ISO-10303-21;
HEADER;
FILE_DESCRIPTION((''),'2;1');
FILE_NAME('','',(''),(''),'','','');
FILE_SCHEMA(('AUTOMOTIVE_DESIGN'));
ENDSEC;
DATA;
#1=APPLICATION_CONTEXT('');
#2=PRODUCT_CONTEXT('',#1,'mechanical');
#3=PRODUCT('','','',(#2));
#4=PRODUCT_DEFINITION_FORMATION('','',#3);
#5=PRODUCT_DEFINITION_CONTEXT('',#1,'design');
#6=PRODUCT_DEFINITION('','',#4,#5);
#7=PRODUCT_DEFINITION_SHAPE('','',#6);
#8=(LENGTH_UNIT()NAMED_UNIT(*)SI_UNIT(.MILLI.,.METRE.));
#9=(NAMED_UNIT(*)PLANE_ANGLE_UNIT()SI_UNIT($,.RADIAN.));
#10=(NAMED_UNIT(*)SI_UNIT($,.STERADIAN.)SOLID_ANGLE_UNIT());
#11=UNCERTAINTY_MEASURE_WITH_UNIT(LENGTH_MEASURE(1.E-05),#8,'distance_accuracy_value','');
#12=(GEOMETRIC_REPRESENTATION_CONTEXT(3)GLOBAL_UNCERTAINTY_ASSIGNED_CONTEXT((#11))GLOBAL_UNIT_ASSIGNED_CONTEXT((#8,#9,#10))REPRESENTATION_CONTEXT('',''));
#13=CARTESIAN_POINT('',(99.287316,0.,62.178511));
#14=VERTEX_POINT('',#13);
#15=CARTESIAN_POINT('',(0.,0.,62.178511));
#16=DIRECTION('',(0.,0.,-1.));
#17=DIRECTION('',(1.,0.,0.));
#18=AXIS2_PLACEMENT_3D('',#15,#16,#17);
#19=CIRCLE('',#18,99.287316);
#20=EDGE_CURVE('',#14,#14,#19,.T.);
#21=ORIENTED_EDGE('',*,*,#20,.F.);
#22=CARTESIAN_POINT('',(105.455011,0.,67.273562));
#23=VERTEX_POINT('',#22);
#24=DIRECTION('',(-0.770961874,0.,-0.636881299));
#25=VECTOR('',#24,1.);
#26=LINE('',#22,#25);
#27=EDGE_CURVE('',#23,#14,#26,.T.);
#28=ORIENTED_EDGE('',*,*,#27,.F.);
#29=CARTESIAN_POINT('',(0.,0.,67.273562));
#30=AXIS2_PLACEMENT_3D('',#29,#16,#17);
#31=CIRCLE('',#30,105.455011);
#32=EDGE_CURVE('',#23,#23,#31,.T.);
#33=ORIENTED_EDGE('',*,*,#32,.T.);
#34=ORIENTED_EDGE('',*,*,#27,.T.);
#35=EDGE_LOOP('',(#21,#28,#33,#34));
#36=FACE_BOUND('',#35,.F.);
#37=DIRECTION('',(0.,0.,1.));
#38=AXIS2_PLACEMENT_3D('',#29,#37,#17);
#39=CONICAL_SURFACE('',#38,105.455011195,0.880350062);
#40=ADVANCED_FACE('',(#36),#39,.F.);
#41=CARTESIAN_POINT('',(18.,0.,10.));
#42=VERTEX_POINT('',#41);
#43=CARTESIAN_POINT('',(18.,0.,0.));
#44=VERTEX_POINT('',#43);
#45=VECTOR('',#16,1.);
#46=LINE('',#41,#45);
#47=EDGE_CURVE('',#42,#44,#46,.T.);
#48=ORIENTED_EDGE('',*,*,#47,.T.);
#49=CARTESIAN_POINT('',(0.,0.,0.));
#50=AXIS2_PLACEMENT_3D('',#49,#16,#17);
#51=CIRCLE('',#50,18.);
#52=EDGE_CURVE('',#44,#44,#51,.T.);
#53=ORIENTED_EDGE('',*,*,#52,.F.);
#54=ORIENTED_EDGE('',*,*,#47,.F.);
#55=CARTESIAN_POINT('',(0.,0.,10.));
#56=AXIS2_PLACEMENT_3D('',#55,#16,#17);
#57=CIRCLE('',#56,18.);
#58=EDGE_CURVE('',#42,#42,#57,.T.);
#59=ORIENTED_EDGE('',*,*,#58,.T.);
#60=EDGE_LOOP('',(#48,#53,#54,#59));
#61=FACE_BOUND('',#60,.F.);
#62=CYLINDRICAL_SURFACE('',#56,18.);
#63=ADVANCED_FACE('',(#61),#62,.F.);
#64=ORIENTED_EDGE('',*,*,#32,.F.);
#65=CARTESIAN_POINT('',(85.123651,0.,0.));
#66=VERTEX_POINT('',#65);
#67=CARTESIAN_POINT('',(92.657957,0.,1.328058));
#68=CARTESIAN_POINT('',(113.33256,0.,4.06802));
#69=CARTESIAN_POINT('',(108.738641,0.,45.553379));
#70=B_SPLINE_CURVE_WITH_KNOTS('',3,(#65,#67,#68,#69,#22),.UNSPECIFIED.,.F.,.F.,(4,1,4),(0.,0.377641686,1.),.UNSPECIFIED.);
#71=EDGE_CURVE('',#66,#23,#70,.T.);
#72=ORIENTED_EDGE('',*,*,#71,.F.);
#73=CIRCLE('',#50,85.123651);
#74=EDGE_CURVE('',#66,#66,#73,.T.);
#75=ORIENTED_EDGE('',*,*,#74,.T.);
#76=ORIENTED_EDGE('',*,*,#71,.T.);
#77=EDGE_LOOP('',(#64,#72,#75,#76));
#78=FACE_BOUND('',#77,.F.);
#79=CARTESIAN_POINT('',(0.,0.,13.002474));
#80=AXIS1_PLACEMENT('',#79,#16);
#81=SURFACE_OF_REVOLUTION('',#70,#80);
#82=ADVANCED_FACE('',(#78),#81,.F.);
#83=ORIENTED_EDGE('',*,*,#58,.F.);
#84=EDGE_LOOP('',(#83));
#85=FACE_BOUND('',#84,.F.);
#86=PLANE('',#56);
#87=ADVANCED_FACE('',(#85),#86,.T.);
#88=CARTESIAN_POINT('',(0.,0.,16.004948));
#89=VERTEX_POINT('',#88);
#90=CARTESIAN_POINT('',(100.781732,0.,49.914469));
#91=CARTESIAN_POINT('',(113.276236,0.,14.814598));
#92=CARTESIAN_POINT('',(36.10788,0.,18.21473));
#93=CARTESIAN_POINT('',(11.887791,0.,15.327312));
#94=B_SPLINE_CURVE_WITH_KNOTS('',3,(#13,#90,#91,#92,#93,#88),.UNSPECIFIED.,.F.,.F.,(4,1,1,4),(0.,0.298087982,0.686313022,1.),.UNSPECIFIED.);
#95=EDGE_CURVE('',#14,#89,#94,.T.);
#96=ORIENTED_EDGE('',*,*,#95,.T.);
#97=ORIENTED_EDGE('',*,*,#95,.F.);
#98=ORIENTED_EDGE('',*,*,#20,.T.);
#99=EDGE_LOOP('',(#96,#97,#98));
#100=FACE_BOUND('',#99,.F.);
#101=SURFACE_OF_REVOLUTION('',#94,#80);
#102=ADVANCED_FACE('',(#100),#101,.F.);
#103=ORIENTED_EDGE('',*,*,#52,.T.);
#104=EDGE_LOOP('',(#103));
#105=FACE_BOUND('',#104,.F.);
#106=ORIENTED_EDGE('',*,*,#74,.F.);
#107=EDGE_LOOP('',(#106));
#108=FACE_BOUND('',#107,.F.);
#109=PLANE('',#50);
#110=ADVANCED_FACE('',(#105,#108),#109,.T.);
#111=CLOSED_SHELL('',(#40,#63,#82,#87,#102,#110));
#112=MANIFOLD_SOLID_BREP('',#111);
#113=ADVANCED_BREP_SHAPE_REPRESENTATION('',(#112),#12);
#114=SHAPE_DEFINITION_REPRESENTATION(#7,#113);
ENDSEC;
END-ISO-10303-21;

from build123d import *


with BuildPart() as f1:
    # F0 (on Front) → F1 (revolve)
    with BuildSketch(Plane.XZ):
        with BuildLine():
            Line((0, 16.0049479455), (0, 10))
            Line((0, 10), (18, 10))
            Line((18, 10), (18, 0))
            Line((18, 0), (85.1236507297, 0))
            add(Edge.make_bspline(
                [(85.1236507297, 0), (92.6579572578, 1.3280575067), (113.3325599863, 4.0680203653), (108.7386406285, 45.5533788146), (105.4550111948, 67.2735615637)],
                knots=[0, 0, 0, 0, 0.3776416861, 1, 1, 1, 1], degree=3))
            Line((105.4550111948, 67.2735615637), (99.2873162031, 62.1785111725))
            add(Edge.make_bspline(
                [(99.2873162031, 62.1785111725), (100.7817319088, 49.9144688176), (113.2762363843, 14.8145980794), (36.1078795902, 18.2147303106), (11.8877907009, 15.3273123697), (0, 16.0049479455)],
                knots=[0, 0, 0, 0, 0.298087982, 0.6863130221, 1, 1, 1, 1], degree=3))
        make_face()
    revolve(axis=Axis((0, 0, 13.0024739727), (0, 0, -1)))


solid = f1.part
